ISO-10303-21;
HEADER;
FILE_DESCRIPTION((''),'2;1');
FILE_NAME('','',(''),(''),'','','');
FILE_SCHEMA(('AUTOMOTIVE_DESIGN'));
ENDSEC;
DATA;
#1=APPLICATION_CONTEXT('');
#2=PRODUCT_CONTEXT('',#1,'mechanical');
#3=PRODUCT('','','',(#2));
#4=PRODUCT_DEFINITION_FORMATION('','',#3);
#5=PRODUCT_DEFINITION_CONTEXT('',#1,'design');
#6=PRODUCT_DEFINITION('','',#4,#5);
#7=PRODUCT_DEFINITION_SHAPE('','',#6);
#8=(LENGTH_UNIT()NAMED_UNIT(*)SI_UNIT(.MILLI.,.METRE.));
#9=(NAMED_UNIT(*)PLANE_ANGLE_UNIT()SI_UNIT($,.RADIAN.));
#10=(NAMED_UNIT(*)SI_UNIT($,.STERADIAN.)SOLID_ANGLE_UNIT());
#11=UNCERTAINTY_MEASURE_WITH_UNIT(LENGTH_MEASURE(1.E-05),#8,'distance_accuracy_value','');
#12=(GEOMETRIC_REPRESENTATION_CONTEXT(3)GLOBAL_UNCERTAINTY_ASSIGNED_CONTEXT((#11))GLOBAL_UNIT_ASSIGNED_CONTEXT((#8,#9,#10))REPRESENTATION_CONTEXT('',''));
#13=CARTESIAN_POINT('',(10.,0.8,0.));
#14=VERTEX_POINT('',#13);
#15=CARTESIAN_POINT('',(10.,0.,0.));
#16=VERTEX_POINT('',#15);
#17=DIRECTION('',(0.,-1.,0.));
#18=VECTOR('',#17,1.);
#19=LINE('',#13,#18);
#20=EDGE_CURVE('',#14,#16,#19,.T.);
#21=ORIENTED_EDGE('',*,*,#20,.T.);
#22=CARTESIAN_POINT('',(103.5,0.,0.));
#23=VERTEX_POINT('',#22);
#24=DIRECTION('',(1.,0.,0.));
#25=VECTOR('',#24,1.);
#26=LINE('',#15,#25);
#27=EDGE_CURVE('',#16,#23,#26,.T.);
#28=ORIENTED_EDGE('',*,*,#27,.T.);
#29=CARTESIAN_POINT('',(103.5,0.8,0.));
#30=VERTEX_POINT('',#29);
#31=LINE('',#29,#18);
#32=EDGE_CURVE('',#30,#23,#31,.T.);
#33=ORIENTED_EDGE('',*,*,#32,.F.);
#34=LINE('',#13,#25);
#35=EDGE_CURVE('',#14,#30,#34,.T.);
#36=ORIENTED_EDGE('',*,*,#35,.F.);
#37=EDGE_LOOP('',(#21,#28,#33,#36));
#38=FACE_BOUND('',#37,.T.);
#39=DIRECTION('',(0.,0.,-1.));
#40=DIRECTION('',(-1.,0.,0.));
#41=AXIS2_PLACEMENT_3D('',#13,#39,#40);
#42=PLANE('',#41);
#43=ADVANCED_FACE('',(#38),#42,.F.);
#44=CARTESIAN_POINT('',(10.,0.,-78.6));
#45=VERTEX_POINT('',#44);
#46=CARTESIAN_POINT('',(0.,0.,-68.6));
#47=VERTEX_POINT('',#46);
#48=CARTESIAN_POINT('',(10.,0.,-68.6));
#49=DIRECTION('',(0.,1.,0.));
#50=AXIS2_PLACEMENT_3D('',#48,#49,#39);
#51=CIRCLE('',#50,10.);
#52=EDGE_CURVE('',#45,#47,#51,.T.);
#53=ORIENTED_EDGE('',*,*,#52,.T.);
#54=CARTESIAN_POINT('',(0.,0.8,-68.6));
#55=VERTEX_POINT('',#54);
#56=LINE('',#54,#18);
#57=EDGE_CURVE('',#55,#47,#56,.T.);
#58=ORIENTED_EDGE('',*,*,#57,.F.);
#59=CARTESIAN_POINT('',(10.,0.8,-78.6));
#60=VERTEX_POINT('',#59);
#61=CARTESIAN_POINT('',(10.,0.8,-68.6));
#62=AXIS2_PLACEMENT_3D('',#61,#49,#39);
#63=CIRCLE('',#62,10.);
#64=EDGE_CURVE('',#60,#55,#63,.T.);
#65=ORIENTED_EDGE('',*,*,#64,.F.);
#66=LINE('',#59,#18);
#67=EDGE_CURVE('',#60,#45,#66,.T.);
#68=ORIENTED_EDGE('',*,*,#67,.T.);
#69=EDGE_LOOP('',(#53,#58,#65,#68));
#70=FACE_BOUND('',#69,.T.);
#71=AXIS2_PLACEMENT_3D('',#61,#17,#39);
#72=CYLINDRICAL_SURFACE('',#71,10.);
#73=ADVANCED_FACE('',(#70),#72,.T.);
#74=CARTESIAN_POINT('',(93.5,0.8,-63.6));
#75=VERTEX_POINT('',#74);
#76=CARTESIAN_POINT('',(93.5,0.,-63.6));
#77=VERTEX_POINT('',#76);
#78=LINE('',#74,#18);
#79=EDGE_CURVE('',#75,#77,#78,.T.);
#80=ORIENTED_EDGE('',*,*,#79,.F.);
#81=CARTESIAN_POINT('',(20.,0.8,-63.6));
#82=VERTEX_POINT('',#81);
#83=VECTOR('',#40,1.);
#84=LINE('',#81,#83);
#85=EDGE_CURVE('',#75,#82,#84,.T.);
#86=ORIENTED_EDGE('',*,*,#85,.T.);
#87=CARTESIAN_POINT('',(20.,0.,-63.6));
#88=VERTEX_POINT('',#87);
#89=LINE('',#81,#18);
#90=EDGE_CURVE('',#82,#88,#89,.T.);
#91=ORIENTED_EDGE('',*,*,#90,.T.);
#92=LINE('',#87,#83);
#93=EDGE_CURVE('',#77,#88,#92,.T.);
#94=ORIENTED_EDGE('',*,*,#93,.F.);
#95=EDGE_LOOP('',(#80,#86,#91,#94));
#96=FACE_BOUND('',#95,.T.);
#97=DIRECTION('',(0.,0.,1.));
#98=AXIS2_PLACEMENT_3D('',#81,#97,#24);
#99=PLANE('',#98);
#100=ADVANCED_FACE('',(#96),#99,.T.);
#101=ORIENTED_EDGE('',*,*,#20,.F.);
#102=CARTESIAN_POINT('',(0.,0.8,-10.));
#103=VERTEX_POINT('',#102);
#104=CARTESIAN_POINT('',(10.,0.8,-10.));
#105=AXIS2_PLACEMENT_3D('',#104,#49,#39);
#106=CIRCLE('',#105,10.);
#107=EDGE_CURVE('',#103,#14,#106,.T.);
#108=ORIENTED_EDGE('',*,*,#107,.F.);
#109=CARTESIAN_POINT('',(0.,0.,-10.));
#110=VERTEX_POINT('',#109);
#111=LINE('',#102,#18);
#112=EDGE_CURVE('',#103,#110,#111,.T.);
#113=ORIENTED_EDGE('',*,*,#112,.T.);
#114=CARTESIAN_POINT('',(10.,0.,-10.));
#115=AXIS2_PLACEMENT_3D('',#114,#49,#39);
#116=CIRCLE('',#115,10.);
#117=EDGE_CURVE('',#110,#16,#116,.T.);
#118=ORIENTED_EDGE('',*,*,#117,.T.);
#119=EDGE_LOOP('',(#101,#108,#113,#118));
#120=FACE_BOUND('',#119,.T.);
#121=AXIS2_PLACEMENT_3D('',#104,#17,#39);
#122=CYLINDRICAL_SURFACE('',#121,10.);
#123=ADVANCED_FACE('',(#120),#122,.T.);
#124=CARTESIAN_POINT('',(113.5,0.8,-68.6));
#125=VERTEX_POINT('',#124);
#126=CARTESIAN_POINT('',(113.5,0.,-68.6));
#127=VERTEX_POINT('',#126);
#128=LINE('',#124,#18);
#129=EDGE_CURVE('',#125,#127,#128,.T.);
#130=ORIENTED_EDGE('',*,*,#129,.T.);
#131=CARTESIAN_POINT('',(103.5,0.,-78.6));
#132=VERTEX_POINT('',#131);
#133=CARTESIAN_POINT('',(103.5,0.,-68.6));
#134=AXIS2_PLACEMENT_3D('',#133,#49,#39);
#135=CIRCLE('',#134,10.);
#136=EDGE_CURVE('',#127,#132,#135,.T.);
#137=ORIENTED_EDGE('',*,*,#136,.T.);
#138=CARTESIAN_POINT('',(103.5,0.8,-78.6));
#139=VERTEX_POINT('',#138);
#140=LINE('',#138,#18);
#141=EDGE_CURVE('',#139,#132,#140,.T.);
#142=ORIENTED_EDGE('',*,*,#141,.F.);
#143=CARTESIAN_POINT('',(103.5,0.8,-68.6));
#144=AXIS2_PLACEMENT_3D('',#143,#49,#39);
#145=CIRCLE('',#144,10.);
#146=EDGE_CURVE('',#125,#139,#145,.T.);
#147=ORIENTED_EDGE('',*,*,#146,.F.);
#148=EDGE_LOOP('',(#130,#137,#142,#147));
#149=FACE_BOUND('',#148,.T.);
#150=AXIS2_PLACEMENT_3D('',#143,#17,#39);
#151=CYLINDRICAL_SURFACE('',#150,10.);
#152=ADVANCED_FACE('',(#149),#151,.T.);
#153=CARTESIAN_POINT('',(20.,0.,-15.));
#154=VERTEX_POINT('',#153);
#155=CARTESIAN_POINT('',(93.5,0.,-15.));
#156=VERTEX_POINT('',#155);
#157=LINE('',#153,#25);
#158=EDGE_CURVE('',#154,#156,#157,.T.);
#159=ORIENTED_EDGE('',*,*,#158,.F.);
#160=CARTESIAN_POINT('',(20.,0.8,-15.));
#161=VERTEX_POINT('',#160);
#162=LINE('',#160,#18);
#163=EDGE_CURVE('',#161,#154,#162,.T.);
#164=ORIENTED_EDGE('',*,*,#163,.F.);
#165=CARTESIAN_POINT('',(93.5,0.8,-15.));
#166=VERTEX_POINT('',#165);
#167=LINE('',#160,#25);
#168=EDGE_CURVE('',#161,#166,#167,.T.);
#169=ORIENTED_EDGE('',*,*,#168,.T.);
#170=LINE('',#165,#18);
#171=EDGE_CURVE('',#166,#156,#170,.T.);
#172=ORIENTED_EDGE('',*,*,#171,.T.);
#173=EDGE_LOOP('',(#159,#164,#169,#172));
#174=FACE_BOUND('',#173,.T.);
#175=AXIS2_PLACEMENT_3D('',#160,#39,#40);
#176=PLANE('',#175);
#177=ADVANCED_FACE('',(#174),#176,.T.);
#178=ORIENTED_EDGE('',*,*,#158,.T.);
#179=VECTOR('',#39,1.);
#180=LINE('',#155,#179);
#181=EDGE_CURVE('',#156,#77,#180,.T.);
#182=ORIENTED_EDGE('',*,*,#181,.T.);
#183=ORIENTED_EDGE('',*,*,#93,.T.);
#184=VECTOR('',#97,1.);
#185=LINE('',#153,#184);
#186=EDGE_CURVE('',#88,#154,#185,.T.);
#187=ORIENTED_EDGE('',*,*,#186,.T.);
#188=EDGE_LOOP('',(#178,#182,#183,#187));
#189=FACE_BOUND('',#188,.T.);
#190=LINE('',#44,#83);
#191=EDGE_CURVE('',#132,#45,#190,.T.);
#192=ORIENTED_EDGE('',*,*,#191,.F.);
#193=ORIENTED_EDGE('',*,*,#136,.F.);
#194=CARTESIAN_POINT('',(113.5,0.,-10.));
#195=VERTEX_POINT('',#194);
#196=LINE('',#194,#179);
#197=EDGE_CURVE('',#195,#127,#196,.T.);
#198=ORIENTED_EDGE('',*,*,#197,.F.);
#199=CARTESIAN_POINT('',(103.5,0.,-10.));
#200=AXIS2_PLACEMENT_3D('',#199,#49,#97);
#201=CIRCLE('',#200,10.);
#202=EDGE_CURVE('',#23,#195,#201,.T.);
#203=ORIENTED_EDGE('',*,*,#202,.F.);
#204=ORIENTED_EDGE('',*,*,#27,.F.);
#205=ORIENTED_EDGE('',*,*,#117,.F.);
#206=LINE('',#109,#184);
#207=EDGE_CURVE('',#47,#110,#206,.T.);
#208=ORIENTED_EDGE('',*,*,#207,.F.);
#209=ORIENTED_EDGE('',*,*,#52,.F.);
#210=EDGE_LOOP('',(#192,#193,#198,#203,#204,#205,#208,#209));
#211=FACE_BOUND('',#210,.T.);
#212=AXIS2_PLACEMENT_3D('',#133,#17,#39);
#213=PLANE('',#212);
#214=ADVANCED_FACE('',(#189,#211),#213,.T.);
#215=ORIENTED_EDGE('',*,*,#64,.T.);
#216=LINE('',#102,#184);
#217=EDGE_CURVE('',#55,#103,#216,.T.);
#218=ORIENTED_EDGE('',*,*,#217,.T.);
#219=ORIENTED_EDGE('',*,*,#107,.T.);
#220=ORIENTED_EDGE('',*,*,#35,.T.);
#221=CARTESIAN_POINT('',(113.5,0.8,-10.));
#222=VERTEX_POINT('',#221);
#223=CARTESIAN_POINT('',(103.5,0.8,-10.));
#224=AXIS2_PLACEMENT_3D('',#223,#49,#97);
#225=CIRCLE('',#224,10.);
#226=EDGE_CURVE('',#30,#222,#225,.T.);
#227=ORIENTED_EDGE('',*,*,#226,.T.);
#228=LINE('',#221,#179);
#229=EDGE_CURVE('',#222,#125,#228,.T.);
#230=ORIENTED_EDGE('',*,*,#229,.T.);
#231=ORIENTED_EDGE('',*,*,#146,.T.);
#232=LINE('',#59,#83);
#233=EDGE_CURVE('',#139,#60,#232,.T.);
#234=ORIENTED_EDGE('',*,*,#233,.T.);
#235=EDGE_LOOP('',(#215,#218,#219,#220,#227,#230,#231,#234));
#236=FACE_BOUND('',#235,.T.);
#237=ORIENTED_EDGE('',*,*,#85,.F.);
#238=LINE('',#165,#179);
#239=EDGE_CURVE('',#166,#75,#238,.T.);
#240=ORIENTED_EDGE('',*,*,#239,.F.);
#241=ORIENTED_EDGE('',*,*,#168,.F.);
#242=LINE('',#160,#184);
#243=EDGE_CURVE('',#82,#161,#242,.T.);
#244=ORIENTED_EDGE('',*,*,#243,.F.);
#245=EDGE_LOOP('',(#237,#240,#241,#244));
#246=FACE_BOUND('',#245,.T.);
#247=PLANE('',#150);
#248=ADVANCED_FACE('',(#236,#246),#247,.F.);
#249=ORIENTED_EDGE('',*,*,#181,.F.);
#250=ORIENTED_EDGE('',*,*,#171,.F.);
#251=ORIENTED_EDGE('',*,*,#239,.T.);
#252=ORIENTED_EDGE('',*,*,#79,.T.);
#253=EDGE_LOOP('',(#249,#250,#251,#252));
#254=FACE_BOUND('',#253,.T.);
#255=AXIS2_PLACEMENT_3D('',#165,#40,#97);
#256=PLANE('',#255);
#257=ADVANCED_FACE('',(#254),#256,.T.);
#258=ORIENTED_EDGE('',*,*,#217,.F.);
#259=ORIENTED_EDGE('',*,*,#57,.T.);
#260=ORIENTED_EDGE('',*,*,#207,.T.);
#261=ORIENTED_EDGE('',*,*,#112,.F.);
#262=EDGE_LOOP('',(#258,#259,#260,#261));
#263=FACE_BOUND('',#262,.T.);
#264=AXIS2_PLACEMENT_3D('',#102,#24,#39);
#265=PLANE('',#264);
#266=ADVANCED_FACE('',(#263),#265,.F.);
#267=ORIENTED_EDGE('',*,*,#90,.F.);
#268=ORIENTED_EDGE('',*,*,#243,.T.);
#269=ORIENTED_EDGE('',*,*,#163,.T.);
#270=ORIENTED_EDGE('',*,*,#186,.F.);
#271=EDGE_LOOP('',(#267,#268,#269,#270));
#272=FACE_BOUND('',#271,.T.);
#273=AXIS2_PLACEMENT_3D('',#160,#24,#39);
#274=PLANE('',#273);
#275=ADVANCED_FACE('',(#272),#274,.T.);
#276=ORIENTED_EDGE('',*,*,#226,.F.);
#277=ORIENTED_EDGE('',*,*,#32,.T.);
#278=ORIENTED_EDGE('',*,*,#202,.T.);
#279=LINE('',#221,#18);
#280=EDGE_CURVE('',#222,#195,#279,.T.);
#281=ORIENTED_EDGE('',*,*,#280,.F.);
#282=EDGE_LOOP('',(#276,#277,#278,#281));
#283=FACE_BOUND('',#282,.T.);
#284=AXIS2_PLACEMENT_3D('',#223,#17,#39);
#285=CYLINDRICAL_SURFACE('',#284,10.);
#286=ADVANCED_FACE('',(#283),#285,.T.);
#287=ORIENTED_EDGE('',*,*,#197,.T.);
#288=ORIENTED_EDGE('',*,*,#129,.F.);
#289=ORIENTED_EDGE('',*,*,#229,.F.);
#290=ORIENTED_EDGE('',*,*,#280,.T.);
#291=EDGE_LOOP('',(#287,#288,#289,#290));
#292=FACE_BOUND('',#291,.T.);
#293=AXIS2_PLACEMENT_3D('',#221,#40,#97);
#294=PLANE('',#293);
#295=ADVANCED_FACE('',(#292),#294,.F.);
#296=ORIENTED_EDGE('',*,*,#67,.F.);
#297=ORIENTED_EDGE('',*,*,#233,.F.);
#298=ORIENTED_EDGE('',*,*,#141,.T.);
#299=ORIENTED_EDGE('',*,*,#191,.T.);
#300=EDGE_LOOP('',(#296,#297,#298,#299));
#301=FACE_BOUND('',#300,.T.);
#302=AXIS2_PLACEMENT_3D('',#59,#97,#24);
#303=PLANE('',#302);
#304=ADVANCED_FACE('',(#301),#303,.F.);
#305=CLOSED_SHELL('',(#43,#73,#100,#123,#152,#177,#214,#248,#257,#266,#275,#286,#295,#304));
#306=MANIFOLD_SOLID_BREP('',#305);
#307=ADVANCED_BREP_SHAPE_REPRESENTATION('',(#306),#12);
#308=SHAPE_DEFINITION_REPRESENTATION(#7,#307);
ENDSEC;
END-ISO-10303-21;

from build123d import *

# Parameters (mm, degrees)
SKETCH_1_W      = 73.5
SKETCH_1_H      = 48.6
EXTRUDE_1_DEPTH = 0.8


with BuildPart() as part:
    # Эскиз1 → Бобышка-Вытянуть1 (new body)
    with BuildSketch(Plane(origin=(0, 0, 0), x_dir=(1, 0, 0), z_dir=(0, 1, 0))):
        with BuildLine():
            Line((10, 0), (103.5, 0))
            ThreePointArc((103.5, 0), (110.571067812, 2.928932188), (113.5, 10))
            Line((113.5, 10), (113.5, 68.6))
            ThreePointArc((113.5, 68.6), (110.571067812, 75.671067812), (103.5, 78.6))
            Line((103.5, 78.6), (10, 78.6))
            ThreePointArc((10, 78.6), (2.928932188, 75.671067812), (0, 68.6))
            Line((0, 68.6), (0, 10))
            ThreePointArc((0, 10), (2.928932188, 2.928932188), (10, 0))
        make_face()
        with Locations((56.75, 39.3)):
            Rectangle(SKETCH_1_W, SKETCH_1_H, mode=Mode.SUBTRACT)
    extrude(amount=EXTRUDE_1_DEPTH)


solid = part.part
